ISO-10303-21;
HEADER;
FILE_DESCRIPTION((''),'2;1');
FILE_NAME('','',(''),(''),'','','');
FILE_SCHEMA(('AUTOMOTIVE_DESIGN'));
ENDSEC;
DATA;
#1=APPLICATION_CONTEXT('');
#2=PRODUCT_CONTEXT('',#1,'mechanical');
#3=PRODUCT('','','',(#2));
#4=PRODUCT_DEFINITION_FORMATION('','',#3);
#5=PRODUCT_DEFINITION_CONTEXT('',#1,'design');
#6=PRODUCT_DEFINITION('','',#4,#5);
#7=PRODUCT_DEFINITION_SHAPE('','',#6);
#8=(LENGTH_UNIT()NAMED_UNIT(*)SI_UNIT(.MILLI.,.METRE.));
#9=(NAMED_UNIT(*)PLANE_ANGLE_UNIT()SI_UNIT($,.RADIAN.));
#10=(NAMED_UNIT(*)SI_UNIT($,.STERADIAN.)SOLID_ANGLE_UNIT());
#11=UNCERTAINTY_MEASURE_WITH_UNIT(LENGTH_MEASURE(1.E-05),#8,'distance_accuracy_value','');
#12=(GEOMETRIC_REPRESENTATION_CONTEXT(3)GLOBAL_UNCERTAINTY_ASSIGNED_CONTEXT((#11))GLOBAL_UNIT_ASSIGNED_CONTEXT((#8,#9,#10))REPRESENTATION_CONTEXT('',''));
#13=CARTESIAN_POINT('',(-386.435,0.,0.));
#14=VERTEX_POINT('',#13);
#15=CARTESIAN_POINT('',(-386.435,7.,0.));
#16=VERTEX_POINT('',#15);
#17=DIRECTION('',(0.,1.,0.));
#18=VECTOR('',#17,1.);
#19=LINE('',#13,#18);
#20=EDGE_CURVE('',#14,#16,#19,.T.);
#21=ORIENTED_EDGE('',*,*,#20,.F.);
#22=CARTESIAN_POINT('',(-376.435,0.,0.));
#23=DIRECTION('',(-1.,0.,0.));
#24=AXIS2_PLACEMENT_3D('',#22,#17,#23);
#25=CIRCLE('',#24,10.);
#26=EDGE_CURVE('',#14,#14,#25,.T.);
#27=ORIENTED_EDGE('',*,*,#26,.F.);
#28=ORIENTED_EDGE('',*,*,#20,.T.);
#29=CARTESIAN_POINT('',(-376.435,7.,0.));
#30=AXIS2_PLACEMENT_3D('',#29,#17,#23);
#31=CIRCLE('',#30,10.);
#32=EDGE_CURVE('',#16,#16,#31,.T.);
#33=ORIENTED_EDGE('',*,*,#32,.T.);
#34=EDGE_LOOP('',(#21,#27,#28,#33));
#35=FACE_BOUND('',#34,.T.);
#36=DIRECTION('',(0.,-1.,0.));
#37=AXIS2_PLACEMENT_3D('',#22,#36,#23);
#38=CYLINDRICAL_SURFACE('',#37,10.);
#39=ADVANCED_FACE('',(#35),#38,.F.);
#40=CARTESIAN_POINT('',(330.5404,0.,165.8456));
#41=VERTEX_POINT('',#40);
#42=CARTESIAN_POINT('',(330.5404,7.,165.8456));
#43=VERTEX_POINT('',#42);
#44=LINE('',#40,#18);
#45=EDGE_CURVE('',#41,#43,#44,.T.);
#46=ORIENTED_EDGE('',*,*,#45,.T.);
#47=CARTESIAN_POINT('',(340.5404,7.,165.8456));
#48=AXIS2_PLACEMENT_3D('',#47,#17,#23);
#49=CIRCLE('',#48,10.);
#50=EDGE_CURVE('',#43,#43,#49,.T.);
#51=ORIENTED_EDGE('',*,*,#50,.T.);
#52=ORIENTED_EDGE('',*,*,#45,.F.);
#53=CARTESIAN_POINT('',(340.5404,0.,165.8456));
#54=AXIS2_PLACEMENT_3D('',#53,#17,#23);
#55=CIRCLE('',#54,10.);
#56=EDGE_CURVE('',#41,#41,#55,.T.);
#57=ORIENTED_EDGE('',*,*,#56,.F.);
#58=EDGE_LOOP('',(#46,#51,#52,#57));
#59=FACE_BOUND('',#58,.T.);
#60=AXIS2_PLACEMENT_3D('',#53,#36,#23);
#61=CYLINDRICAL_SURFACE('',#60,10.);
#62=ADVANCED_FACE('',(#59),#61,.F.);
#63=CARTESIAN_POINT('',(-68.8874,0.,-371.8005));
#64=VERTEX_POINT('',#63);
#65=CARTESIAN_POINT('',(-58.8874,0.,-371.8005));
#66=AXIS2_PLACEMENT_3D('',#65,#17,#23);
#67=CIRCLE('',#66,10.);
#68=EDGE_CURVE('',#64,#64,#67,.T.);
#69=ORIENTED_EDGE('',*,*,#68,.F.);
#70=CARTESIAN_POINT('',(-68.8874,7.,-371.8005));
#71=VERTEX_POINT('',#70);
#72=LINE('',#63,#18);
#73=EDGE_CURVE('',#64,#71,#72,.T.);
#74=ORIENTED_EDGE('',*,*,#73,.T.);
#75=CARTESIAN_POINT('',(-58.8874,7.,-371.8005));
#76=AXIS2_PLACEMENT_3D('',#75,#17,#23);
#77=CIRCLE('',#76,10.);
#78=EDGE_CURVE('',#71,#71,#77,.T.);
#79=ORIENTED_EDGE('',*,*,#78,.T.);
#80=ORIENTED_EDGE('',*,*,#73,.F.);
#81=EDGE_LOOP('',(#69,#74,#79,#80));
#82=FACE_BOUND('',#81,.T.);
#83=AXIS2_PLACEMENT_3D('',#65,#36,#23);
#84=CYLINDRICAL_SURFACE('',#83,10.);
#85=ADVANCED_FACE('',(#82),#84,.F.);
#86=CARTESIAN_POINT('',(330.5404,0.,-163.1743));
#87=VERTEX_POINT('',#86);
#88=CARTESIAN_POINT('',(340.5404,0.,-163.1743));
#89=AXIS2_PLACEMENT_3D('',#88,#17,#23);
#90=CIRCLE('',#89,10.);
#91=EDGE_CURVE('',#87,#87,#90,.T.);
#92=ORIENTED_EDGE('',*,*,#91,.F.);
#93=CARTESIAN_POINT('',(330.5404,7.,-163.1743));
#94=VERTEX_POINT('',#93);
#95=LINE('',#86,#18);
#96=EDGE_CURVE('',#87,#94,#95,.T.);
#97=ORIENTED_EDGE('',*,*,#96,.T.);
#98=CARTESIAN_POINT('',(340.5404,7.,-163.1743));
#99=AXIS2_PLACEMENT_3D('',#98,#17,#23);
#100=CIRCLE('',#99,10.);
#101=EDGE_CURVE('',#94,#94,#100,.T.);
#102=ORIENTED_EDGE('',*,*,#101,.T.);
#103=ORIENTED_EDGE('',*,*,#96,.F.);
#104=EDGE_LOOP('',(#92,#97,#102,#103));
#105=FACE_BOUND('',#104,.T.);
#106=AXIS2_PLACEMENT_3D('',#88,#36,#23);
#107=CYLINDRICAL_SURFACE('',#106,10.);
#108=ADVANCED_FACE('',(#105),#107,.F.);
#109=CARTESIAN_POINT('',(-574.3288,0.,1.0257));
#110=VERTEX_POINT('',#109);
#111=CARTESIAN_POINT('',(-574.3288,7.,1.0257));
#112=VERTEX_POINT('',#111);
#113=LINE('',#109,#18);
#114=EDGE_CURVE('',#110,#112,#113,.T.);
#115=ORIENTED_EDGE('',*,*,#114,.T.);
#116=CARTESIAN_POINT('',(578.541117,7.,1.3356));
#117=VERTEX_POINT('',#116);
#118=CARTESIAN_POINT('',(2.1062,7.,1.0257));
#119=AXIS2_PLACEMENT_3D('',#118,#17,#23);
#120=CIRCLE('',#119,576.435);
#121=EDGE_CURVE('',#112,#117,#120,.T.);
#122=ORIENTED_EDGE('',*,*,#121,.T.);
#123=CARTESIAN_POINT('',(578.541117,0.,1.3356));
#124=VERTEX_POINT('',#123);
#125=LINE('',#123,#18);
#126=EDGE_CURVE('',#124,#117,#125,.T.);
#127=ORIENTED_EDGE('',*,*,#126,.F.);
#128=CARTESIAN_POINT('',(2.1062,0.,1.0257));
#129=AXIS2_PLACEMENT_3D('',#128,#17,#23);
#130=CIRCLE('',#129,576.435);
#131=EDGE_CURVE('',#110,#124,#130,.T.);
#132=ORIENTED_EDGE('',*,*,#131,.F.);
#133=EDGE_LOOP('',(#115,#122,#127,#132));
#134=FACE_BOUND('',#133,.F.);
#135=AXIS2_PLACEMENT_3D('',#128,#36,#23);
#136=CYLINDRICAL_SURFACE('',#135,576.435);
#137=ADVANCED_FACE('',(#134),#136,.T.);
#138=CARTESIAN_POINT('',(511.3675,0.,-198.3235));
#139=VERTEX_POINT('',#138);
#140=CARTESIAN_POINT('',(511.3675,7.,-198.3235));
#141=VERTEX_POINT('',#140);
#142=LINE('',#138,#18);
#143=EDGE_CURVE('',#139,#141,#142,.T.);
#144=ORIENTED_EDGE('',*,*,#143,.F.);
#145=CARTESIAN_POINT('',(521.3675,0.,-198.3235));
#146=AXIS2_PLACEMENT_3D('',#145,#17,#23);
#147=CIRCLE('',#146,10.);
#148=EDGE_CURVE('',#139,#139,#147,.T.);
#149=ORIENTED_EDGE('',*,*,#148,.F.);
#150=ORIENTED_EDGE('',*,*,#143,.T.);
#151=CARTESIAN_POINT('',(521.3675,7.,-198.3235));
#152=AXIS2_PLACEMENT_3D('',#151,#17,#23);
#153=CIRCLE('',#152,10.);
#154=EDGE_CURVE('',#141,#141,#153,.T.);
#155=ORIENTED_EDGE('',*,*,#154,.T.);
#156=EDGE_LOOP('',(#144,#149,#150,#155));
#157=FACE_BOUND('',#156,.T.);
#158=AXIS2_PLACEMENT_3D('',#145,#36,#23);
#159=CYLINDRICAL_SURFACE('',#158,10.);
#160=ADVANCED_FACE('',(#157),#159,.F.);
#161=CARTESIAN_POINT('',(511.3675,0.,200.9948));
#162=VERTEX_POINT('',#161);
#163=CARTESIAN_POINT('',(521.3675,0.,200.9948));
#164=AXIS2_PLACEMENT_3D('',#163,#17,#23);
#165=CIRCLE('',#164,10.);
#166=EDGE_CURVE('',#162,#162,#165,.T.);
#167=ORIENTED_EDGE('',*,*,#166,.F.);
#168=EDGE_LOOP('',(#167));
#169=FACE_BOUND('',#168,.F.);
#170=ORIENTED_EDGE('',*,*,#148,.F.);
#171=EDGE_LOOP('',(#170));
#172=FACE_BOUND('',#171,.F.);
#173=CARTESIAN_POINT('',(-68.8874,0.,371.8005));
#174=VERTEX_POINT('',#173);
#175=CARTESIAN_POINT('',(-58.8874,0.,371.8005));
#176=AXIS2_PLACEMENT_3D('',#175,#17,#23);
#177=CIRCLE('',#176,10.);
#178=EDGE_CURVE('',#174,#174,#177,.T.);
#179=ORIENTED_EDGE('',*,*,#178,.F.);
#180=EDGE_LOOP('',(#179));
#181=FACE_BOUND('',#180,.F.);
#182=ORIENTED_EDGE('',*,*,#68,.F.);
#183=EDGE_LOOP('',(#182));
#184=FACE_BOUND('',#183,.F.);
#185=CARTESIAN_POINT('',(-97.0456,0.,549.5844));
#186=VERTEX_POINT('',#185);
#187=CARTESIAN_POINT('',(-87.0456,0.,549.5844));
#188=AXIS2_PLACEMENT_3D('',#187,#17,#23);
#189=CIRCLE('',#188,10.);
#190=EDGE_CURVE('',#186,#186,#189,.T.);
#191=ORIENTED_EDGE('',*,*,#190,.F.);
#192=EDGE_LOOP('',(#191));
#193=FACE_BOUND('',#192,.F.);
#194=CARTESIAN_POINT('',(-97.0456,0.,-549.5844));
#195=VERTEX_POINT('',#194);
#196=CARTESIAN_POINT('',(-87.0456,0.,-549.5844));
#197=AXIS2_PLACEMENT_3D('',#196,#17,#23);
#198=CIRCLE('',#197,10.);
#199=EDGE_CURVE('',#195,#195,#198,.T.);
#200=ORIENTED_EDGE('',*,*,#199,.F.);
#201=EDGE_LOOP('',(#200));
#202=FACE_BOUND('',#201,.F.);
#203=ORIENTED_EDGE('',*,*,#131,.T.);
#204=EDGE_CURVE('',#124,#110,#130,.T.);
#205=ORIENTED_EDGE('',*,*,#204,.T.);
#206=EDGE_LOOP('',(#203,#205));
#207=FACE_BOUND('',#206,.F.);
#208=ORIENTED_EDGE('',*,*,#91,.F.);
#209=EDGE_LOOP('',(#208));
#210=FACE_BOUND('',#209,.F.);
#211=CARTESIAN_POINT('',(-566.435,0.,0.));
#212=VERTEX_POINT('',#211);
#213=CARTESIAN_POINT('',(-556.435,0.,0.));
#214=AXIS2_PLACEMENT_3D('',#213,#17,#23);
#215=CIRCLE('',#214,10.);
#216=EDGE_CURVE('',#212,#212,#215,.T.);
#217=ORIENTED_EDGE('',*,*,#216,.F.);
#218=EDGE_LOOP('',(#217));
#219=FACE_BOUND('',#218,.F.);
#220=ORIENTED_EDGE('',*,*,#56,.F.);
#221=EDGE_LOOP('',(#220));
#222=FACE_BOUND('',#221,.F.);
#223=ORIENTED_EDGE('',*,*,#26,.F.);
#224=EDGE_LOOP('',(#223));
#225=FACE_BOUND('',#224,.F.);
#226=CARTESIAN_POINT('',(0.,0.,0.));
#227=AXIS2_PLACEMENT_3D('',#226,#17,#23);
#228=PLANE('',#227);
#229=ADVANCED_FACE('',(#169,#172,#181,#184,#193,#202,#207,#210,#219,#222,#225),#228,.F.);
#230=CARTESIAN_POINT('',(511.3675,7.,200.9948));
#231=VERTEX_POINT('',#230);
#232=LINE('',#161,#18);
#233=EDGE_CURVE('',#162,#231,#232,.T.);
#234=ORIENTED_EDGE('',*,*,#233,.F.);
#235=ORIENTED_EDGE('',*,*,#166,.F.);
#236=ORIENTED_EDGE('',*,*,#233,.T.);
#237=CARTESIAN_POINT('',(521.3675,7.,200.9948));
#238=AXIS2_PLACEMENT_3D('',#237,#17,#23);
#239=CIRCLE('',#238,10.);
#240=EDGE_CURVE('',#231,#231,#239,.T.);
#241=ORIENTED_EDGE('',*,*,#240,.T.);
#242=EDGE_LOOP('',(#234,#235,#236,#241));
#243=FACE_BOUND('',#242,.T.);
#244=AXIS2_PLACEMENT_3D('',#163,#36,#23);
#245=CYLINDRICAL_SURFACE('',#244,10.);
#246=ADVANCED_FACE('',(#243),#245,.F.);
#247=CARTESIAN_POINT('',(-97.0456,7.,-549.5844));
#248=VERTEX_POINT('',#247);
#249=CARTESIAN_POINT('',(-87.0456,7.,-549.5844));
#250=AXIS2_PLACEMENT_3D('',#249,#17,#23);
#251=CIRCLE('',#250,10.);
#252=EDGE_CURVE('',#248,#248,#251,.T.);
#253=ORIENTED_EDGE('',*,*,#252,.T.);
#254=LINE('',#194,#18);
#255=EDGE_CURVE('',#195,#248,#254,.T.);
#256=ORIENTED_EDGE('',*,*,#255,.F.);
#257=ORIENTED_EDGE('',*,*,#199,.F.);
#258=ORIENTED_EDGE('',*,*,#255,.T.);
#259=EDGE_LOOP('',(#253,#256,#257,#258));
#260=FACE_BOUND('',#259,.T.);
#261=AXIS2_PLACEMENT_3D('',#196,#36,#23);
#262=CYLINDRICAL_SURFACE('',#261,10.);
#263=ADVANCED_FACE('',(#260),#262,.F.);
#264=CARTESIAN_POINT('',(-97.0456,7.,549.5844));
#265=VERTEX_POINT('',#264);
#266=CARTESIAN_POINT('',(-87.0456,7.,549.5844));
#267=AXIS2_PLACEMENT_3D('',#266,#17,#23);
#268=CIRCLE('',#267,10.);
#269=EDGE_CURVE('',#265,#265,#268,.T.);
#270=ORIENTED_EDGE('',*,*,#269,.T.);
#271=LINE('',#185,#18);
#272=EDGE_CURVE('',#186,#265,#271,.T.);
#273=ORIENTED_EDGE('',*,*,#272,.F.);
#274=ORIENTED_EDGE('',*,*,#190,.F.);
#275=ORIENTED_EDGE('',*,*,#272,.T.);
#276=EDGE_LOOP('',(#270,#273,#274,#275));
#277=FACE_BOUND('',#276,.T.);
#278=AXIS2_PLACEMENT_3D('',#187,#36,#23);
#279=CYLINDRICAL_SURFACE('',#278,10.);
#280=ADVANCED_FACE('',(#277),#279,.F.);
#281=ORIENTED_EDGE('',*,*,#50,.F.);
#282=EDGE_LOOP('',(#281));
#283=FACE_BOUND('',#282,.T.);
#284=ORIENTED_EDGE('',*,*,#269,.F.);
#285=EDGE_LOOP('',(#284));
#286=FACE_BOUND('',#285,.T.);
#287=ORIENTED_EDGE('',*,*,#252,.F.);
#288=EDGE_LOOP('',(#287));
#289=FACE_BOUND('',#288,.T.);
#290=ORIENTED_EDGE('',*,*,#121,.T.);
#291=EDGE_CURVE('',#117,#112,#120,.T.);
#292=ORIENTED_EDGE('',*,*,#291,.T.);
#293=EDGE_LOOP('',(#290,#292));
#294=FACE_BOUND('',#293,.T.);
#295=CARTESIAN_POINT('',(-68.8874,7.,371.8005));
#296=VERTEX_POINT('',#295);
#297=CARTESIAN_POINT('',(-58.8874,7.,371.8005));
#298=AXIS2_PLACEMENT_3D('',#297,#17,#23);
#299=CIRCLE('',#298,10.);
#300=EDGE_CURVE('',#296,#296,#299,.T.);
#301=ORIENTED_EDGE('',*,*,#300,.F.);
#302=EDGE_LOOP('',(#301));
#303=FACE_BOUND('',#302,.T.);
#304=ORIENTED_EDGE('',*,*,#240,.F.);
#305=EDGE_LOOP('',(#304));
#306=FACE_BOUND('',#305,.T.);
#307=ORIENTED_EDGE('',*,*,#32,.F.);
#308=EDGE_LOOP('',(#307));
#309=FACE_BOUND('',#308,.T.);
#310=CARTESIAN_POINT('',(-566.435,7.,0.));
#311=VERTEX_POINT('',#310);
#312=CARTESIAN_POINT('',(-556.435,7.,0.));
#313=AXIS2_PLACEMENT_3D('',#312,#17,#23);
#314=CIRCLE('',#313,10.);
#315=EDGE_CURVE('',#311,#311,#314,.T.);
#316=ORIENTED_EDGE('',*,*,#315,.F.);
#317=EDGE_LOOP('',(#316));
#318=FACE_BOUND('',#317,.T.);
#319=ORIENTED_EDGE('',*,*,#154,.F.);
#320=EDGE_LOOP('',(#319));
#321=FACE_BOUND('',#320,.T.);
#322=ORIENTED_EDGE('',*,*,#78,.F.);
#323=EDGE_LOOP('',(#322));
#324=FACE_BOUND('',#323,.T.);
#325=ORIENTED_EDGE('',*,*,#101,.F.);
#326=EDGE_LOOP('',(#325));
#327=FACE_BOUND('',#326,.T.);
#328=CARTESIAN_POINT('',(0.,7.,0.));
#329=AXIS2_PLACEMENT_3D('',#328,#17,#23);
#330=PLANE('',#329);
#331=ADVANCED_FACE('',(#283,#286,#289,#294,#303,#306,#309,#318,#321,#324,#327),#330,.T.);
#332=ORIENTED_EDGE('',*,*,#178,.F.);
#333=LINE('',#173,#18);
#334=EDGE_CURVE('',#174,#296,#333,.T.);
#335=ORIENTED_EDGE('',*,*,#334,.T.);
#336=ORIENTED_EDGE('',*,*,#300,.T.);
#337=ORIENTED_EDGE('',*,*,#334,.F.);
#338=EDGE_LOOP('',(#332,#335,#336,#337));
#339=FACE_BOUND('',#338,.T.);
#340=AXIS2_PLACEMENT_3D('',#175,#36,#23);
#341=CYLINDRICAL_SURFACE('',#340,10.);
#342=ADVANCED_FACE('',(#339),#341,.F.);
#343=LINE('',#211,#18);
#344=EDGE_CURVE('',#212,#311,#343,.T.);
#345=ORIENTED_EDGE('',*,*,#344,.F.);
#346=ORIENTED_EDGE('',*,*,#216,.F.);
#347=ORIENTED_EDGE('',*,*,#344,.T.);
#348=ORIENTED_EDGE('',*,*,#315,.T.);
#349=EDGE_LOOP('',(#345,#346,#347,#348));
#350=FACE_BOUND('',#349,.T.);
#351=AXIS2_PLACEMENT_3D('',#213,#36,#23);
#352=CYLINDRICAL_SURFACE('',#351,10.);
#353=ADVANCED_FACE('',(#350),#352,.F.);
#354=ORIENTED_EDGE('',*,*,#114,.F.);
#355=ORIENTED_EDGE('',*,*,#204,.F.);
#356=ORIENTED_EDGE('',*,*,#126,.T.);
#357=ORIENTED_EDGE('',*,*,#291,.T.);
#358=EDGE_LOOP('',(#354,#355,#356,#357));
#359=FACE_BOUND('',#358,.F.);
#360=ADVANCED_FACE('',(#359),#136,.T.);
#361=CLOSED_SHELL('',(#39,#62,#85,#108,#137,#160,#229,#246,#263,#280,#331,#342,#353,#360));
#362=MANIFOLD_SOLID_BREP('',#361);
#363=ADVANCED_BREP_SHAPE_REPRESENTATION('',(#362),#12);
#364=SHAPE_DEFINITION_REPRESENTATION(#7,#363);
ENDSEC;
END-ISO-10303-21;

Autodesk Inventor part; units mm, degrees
ref_plane "YZ Plane" through (0, 0, 0) normal (1, 0, 0) x (0, 1, 0)
ref_plane "XZ Plane" through (0, 0, 0) normal (0, 1, 0) x (-1, 0, 0)
ref_plane "XY Plane" through (0, 0, 0) normal (0, 0, 1) x (1, 0, 0)
sketch "Sketch1" plane through (0, 0, 0) normal (0, 1, 0) x (-1, 0, 0)
  circle A0 centre (-2.1062, 1.0257) radius 576.435
  circle A1 centre (-340.5404, 165.8456) radius 10
  circle A2 centre (-521.3675, 200.9948) radius 10
  line L0 (-296.1915, 1.3356) -> (-698.7298, 1.3356)
  circle A3 centre (-340.5404, -163.1743) radius 10
  circle A4 centre (-521.3675, -198.3235) radius 10
  circle A5 centre (376.435, 0) radius 10
  circle A6 centre (556.435, 0) radius 10
  circle A7 centre (58.8874, 371.8005) radius 10
  circle A8 centre (87.0456, 549.5844) radius 10
  circle A9 centre (58.8874, -371.8005) radius 10
  circle A10 centre (87.0456, -549.5844) radius 10
  point P0 (0, 0)
  point P1 (-578.5411, 1.3356)
  dimension "d34" = 1152.87
  dimension "d52" = 20
  dimension "d55" = 20
  dimension "d58" = 556.435
  dimension "d59" = 20
  dimension "d60" = 376.435
  dimension "d61" = 20
  dimension "d62" = 556.435
  dimension "d65" = 81
  dimension "d69" = 81
extrude "Extrusion1" add sketch "Sketch1" along normal blind 7
properties part number "TopandBase"
